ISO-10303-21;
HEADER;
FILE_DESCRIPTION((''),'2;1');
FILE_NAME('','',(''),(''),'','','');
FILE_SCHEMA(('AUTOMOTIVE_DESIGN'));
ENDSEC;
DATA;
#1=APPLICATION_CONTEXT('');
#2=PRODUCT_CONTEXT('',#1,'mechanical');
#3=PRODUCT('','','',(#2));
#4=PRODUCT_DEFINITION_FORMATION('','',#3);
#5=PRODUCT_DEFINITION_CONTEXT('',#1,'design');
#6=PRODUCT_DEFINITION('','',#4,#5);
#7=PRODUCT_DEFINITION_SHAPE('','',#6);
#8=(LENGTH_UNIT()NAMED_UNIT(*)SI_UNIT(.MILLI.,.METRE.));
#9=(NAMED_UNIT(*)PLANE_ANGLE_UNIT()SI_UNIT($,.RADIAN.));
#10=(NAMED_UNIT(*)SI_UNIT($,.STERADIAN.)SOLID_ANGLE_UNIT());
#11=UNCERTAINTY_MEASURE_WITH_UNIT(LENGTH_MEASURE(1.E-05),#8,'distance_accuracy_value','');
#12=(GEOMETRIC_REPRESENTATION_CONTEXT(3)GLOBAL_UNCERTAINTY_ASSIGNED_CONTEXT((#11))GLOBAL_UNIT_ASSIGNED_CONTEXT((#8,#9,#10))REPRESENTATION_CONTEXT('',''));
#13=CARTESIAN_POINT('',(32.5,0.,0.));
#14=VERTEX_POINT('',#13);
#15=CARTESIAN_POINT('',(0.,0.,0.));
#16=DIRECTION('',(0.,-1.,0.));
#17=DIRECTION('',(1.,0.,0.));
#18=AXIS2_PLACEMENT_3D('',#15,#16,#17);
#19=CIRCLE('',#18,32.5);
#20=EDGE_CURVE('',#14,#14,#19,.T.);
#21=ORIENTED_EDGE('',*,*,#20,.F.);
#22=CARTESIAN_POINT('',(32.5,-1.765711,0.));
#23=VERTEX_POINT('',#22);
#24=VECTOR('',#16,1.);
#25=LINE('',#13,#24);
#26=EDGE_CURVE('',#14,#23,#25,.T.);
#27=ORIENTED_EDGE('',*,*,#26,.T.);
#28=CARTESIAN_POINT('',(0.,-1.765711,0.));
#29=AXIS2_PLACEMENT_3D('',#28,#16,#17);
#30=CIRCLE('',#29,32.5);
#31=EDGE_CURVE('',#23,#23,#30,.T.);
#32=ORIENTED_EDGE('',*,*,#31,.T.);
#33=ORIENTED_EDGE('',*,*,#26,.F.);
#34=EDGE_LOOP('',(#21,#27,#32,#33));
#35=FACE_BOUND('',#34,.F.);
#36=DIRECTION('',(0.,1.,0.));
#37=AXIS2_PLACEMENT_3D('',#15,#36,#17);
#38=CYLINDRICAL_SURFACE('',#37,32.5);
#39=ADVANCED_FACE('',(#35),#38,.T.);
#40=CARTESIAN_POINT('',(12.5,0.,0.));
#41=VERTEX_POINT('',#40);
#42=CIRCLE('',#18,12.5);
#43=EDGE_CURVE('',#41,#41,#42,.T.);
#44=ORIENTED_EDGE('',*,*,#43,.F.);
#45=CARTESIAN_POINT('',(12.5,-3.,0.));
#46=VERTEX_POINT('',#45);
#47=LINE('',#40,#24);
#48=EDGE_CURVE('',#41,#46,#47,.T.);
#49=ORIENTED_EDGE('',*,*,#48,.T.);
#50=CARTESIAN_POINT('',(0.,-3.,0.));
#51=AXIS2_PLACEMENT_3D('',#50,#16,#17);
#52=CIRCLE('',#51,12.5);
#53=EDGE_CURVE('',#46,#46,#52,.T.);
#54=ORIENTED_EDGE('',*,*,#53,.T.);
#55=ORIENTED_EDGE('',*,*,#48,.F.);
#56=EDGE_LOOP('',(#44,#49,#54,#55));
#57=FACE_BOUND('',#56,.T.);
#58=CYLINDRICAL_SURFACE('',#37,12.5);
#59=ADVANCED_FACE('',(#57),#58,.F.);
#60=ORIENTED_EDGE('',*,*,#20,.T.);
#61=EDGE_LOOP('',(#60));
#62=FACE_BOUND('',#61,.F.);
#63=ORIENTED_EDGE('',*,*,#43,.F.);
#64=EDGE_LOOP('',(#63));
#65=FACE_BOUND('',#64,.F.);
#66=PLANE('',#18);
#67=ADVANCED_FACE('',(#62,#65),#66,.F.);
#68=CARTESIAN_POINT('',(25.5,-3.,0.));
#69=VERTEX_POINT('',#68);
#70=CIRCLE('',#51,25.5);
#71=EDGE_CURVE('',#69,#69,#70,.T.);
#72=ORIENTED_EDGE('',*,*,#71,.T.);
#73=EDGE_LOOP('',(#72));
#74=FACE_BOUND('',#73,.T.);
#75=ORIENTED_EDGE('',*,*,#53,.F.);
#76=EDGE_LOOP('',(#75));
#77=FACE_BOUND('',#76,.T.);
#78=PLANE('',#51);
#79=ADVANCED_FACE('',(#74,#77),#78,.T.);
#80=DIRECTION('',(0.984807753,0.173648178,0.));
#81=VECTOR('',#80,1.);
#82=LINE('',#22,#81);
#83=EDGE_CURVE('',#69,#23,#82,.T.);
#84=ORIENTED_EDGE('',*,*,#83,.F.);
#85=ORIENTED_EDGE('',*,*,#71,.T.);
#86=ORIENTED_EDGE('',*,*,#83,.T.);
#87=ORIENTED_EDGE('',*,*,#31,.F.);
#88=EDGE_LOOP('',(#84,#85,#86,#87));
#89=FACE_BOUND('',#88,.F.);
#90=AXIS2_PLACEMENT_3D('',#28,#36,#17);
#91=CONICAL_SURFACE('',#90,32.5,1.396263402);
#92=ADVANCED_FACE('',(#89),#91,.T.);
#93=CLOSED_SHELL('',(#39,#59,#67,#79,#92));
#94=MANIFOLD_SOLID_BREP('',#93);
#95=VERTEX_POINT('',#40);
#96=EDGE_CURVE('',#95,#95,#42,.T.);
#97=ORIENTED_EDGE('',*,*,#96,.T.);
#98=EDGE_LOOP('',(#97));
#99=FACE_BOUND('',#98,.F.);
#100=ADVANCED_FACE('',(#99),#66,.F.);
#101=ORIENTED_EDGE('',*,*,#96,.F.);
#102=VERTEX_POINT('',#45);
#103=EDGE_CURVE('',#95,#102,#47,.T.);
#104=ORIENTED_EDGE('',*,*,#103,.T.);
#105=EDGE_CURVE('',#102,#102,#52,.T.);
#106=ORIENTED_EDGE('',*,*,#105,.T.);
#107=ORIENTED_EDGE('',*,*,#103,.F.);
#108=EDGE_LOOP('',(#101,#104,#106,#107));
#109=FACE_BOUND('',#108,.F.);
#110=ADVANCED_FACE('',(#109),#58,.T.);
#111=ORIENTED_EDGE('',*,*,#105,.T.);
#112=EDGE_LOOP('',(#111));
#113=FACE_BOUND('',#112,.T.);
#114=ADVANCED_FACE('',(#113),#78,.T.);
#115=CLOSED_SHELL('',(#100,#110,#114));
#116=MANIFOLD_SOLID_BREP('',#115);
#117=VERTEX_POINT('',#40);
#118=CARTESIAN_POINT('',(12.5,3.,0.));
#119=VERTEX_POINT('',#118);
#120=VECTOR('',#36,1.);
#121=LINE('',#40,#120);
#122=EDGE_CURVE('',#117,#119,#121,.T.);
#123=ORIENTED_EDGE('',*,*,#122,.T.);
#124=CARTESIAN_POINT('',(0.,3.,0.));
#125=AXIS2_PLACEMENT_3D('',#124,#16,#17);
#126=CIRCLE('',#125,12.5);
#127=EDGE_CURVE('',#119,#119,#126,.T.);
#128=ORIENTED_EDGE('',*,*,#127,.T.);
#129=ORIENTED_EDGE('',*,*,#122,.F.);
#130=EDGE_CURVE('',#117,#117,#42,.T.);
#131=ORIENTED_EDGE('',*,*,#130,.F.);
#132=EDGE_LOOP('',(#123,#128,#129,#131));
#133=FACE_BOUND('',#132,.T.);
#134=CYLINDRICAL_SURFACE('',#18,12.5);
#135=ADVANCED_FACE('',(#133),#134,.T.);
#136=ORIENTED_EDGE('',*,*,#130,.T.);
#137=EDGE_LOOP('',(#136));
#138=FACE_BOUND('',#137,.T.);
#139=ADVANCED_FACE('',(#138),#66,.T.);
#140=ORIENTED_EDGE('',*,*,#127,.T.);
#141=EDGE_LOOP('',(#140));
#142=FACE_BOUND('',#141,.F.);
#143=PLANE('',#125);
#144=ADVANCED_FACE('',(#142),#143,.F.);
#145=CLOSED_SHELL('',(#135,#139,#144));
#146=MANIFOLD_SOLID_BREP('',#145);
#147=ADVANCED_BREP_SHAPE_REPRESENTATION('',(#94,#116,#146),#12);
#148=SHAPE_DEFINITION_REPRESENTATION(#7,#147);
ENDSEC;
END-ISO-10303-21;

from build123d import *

# Parameters (mm, degrees)
F0_R     = 12.5
F1_DEPTH = 3
F0_R_2   = 32.5
F2_DEPTH = 3
F3_DEPTH = 3
F4_SIZE2 = 1.234288865
F4_SIZE  = 7


with BuildPart() as f1:
    # F0 (on Front) → F1 (new body)
    with BuildSketch(Plane.XZ):
        Circle(F0_R)
    extrude(amount=-F1_DEPTH)


with BuildPart() as f2:
    # F0 (on Front) → F2 (new body)
    with BuildSketch(Plane.XZ):
        Circle(F0_R_2)
        Circle(F0_R, mode=Mode.SUBTRACT)
    extrude(amount=F2_DEPTH)

    # F4
    f4_edges = [f2.edges().sort_by_distance(p)[0] for p in [
        (-32.5, -3, 0),
    ]]
    f4_side = f2.faces().sort_by_distance((-31.580761, -3, 0))[0]
    chamfer(f4_edges, length=F4_SIZE, length2=F4_SIZE2, reference=f4_side)


with BuildPart() as f3:
    # F3 (new): a face of the model
    f3_faces = [f1.part.faces().sort_by_distance(p)[0] for p in [
        (0, 0, 0),
    ]]
    extrude(f3_faces, amount=F3_DEPTH)


solid = Compound([f1.part, f2.part, f3.part])
